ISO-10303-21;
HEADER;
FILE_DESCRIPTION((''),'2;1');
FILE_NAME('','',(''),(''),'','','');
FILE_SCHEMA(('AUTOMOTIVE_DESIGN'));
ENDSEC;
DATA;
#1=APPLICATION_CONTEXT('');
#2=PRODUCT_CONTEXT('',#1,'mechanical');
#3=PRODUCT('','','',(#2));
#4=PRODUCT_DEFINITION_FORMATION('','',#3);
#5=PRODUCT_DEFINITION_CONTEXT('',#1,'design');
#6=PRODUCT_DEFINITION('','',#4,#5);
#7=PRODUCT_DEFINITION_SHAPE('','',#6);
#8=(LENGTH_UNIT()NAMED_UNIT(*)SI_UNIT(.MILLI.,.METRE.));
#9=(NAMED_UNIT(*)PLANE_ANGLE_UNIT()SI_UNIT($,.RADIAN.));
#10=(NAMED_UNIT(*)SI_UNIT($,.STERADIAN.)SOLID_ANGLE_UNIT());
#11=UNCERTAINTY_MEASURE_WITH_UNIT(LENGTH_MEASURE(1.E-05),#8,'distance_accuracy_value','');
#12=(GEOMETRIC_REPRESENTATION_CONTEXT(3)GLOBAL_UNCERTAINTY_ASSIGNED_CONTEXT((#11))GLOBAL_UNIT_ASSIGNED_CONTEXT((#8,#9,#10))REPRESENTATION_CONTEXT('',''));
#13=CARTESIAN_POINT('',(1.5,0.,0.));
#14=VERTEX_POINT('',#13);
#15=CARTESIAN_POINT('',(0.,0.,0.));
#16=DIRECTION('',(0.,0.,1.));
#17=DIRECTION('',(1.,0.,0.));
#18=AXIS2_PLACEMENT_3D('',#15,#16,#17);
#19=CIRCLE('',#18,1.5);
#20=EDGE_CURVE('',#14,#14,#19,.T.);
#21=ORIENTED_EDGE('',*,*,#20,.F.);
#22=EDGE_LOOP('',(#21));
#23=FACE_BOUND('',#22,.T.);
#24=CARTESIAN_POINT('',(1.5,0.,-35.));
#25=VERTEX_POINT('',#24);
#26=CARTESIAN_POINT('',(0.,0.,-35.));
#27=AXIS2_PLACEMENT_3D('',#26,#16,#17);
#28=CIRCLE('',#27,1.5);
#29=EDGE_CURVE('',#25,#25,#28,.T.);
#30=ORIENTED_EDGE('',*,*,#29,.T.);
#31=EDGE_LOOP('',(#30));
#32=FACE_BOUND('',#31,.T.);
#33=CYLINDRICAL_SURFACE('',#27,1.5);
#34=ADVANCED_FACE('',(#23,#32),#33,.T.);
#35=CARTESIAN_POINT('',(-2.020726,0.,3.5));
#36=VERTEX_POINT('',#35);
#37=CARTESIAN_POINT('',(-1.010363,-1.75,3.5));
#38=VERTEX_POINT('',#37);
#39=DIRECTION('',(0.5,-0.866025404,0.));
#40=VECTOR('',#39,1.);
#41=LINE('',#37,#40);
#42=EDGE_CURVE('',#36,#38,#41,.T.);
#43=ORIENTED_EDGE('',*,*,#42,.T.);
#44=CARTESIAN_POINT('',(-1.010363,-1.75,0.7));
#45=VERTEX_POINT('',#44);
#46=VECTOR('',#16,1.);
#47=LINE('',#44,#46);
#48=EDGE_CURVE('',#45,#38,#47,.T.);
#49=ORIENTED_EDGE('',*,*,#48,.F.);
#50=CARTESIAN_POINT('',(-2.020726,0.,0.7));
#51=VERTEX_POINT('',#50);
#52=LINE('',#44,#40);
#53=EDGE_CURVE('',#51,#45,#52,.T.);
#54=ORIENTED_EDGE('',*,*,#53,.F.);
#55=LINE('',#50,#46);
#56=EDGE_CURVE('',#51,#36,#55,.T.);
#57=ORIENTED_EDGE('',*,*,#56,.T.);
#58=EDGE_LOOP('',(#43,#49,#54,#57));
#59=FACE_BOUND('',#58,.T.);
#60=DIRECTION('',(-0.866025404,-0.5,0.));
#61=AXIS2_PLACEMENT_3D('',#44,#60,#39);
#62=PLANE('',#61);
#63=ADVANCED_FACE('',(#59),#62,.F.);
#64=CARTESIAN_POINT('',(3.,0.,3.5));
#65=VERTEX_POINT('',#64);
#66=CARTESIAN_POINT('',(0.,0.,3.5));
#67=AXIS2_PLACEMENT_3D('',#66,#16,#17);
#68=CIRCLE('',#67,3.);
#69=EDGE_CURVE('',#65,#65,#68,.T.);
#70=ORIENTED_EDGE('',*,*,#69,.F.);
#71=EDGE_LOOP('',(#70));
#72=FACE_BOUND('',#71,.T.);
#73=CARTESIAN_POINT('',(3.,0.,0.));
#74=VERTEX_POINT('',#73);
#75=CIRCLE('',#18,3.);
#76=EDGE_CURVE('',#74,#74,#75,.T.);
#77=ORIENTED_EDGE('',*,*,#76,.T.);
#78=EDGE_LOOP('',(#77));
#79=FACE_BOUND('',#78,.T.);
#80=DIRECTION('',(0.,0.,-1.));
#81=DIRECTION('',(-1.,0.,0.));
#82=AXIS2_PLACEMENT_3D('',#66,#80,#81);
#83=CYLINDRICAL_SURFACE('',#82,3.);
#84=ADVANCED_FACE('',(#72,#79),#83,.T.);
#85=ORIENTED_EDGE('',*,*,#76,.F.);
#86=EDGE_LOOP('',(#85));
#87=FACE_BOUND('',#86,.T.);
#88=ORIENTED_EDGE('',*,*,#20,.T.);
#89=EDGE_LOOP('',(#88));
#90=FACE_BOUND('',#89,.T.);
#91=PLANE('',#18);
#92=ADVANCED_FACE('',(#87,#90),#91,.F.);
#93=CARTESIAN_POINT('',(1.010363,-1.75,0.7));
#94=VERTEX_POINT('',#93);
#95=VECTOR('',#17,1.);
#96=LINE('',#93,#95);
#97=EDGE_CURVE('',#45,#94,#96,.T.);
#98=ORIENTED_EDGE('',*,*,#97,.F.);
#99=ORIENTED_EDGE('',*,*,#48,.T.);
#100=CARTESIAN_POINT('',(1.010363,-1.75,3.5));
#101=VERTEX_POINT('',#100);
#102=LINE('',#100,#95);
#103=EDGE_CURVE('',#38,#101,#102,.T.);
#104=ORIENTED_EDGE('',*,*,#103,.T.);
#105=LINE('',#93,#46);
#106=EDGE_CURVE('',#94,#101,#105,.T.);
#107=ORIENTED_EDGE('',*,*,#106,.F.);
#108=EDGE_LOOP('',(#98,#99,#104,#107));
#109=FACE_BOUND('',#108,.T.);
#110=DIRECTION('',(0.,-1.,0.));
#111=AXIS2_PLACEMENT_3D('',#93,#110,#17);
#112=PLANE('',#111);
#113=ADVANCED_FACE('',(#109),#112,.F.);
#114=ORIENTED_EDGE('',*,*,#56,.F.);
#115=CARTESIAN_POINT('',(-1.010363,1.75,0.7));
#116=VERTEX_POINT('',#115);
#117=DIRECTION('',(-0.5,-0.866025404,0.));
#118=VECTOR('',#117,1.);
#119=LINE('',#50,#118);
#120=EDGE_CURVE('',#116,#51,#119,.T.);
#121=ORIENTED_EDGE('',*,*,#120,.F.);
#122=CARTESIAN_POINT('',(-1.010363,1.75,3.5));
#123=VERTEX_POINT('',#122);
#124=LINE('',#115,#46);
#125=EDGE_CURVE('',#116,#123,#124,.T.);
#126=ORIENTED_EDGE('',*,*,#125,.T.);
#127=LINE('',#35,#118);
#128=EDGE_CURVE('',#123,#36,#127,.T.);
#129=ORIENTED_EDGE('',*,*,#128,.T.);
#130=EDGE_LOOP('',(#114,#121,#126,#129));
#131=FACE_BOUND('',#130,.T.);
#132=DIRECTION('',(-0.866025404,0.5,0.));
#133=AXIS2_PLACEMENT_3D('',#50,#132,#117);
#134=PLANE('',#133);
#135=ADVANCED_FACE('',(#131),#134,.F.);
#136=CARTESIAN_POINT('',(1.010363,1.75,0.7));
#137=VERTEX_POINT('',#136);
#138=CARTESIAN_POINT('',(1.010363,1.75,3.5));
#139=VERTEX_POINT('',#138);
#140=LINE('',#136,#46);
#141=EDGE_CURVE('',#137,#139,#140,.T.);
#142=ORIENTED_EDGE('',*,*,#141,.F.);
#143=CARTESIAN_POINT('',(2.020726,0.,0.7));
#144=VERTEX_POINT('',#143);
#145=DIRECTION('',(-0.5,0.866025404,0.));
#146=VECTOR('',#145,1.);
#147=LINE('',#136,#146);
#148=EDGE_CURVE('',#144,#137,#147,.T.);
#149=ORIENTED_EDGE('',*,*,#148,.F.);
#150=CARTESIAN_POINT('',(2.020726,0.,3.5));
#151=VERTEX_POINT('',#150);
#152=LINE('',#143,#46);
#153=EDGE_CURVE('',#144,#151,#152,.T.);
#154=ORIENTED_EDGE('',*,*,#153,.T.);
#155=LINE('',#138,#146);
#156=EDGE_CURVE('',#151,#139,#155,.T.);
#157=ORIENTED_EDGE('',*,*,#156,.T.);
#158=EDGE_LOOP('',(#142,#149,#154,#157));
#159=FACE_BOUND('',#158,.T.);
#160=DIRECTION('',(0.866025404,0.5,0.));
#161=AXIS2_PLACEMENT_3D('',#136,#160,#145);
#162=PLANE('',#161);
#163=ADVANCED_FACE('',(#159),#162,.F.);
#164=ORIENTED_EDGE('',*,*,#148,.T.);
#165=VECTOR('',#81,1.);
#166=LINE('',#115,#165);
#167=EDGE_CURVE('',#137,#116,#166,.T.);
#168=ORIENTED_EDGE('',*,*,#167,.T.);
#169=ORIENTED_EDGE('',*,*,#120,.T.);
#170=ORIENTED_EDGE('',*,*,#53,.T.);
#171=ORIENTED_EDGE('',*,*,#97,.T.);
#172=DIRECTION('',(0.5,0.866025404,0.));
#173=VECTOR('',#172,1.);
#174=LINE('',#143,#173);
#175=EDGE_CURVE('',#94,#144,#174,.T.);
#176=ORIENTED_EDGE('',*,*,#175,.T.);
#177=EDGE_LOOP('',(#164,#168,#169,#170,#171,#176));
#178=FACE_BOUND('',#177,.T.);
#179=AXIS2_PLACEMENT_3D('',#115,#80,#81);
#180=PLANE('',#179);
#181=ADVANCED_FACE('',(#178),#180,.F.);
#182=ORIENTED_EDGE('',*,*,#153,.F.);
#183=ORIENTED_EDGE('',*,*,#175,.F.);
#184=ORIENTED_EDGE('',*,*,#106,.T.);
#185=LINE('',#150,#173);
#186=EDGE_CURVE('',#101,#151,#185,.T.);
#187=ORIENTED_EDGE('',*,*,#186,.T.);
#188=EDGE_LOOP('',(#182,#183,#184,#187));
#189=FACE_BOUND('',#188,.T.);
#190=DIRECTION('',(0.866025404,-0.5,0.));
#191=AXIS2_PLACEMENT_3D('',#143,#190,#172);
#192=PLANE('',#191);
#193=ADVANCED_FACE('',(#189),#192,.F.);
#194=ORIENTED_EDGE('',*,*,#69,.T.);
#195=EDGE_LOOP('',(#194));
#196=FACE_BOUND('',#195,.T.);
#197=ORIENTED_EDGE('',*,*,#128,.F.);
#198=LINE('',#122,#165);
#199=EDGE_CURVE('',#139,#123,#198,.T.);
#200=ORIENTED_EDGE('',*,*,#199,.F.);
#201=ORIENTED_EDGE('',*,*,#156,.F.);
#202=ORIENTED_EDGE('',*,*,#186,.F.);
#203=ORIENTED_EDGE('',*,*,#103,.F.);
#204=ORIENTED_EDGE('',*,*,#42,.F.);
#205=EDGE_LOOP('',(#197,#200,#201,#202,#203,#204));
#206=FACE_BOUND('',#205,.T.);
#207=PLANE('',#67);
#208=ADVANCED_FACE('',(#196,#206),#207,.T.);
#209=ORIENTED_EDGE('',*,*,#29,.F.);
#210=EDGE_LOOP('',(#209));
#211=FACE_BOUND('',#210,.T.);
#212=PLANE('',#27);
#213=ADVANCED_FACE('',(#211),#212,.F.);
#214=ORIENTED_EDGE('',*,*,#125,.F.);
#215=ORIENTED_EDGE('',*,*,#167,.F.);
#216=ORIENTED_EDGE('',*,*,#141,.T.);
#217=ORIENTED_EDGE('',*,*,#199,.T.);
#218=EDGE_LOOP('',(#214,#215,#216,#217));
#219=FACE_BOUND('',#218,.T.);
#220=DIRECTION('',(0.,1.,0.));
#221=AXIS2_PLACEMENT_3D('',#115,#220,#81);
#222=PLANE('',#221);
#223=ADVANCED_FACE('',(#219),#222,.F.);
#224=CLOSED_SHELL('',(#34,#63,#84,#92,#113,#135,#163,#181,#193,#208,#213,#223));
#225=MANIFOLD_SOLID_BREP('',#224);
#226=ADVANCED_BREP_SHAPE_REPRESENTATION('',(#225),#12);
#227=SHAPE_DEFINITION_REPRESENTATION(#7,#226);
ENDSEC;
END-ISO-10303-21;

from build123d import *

# Parameters (mm, degrees)
SKETCH1_R                   = 3
HEAD_BOSS_EXTRUDE1_DEPTH    = 3.5
HEAD_HEX_CUT_EXTRUDE1_DEPTH = 2.8
SKETCH2_R                   = 1.5
SCREW_BOSS_EXTRUDE2_DEPTH   = 35


with BuildPart() as part:
    # Sketch1 → Head Boss-Extrude1 (new body)
    with BuildSketch(Plane.XY):
        Circle(SKETCH1_R)
    extrude(amount=HEAD_BOSS_EXTRUDE1_DEPTH)

    # Sketch3 → Head Hex Cut-Extrude1 (cut)
    with BuildSketch(Plane.XY.offset(3.5)):
        Polygon((-1.010362971, 1.75), (1.010362971, 1.75), (2.020725942, 0), (1.010362971, -1.75), (-1.010362971, -1.75), (-2.020725942, 0), align=None)
    extrude(amount=-HEAD_HEX_CUT_EXTRUDE1_DEPTH, mode=Mode.SUBTRACT)

    # Sketch2 → Screw Boss-Extrude2 (add)
    with BuildSketch(Plane.XY):
        Circle(SKETCH2_R)
    extrude(amount=-SCREW_BOSS_EXTRUDE2_DEPTH)


solid = part.part
